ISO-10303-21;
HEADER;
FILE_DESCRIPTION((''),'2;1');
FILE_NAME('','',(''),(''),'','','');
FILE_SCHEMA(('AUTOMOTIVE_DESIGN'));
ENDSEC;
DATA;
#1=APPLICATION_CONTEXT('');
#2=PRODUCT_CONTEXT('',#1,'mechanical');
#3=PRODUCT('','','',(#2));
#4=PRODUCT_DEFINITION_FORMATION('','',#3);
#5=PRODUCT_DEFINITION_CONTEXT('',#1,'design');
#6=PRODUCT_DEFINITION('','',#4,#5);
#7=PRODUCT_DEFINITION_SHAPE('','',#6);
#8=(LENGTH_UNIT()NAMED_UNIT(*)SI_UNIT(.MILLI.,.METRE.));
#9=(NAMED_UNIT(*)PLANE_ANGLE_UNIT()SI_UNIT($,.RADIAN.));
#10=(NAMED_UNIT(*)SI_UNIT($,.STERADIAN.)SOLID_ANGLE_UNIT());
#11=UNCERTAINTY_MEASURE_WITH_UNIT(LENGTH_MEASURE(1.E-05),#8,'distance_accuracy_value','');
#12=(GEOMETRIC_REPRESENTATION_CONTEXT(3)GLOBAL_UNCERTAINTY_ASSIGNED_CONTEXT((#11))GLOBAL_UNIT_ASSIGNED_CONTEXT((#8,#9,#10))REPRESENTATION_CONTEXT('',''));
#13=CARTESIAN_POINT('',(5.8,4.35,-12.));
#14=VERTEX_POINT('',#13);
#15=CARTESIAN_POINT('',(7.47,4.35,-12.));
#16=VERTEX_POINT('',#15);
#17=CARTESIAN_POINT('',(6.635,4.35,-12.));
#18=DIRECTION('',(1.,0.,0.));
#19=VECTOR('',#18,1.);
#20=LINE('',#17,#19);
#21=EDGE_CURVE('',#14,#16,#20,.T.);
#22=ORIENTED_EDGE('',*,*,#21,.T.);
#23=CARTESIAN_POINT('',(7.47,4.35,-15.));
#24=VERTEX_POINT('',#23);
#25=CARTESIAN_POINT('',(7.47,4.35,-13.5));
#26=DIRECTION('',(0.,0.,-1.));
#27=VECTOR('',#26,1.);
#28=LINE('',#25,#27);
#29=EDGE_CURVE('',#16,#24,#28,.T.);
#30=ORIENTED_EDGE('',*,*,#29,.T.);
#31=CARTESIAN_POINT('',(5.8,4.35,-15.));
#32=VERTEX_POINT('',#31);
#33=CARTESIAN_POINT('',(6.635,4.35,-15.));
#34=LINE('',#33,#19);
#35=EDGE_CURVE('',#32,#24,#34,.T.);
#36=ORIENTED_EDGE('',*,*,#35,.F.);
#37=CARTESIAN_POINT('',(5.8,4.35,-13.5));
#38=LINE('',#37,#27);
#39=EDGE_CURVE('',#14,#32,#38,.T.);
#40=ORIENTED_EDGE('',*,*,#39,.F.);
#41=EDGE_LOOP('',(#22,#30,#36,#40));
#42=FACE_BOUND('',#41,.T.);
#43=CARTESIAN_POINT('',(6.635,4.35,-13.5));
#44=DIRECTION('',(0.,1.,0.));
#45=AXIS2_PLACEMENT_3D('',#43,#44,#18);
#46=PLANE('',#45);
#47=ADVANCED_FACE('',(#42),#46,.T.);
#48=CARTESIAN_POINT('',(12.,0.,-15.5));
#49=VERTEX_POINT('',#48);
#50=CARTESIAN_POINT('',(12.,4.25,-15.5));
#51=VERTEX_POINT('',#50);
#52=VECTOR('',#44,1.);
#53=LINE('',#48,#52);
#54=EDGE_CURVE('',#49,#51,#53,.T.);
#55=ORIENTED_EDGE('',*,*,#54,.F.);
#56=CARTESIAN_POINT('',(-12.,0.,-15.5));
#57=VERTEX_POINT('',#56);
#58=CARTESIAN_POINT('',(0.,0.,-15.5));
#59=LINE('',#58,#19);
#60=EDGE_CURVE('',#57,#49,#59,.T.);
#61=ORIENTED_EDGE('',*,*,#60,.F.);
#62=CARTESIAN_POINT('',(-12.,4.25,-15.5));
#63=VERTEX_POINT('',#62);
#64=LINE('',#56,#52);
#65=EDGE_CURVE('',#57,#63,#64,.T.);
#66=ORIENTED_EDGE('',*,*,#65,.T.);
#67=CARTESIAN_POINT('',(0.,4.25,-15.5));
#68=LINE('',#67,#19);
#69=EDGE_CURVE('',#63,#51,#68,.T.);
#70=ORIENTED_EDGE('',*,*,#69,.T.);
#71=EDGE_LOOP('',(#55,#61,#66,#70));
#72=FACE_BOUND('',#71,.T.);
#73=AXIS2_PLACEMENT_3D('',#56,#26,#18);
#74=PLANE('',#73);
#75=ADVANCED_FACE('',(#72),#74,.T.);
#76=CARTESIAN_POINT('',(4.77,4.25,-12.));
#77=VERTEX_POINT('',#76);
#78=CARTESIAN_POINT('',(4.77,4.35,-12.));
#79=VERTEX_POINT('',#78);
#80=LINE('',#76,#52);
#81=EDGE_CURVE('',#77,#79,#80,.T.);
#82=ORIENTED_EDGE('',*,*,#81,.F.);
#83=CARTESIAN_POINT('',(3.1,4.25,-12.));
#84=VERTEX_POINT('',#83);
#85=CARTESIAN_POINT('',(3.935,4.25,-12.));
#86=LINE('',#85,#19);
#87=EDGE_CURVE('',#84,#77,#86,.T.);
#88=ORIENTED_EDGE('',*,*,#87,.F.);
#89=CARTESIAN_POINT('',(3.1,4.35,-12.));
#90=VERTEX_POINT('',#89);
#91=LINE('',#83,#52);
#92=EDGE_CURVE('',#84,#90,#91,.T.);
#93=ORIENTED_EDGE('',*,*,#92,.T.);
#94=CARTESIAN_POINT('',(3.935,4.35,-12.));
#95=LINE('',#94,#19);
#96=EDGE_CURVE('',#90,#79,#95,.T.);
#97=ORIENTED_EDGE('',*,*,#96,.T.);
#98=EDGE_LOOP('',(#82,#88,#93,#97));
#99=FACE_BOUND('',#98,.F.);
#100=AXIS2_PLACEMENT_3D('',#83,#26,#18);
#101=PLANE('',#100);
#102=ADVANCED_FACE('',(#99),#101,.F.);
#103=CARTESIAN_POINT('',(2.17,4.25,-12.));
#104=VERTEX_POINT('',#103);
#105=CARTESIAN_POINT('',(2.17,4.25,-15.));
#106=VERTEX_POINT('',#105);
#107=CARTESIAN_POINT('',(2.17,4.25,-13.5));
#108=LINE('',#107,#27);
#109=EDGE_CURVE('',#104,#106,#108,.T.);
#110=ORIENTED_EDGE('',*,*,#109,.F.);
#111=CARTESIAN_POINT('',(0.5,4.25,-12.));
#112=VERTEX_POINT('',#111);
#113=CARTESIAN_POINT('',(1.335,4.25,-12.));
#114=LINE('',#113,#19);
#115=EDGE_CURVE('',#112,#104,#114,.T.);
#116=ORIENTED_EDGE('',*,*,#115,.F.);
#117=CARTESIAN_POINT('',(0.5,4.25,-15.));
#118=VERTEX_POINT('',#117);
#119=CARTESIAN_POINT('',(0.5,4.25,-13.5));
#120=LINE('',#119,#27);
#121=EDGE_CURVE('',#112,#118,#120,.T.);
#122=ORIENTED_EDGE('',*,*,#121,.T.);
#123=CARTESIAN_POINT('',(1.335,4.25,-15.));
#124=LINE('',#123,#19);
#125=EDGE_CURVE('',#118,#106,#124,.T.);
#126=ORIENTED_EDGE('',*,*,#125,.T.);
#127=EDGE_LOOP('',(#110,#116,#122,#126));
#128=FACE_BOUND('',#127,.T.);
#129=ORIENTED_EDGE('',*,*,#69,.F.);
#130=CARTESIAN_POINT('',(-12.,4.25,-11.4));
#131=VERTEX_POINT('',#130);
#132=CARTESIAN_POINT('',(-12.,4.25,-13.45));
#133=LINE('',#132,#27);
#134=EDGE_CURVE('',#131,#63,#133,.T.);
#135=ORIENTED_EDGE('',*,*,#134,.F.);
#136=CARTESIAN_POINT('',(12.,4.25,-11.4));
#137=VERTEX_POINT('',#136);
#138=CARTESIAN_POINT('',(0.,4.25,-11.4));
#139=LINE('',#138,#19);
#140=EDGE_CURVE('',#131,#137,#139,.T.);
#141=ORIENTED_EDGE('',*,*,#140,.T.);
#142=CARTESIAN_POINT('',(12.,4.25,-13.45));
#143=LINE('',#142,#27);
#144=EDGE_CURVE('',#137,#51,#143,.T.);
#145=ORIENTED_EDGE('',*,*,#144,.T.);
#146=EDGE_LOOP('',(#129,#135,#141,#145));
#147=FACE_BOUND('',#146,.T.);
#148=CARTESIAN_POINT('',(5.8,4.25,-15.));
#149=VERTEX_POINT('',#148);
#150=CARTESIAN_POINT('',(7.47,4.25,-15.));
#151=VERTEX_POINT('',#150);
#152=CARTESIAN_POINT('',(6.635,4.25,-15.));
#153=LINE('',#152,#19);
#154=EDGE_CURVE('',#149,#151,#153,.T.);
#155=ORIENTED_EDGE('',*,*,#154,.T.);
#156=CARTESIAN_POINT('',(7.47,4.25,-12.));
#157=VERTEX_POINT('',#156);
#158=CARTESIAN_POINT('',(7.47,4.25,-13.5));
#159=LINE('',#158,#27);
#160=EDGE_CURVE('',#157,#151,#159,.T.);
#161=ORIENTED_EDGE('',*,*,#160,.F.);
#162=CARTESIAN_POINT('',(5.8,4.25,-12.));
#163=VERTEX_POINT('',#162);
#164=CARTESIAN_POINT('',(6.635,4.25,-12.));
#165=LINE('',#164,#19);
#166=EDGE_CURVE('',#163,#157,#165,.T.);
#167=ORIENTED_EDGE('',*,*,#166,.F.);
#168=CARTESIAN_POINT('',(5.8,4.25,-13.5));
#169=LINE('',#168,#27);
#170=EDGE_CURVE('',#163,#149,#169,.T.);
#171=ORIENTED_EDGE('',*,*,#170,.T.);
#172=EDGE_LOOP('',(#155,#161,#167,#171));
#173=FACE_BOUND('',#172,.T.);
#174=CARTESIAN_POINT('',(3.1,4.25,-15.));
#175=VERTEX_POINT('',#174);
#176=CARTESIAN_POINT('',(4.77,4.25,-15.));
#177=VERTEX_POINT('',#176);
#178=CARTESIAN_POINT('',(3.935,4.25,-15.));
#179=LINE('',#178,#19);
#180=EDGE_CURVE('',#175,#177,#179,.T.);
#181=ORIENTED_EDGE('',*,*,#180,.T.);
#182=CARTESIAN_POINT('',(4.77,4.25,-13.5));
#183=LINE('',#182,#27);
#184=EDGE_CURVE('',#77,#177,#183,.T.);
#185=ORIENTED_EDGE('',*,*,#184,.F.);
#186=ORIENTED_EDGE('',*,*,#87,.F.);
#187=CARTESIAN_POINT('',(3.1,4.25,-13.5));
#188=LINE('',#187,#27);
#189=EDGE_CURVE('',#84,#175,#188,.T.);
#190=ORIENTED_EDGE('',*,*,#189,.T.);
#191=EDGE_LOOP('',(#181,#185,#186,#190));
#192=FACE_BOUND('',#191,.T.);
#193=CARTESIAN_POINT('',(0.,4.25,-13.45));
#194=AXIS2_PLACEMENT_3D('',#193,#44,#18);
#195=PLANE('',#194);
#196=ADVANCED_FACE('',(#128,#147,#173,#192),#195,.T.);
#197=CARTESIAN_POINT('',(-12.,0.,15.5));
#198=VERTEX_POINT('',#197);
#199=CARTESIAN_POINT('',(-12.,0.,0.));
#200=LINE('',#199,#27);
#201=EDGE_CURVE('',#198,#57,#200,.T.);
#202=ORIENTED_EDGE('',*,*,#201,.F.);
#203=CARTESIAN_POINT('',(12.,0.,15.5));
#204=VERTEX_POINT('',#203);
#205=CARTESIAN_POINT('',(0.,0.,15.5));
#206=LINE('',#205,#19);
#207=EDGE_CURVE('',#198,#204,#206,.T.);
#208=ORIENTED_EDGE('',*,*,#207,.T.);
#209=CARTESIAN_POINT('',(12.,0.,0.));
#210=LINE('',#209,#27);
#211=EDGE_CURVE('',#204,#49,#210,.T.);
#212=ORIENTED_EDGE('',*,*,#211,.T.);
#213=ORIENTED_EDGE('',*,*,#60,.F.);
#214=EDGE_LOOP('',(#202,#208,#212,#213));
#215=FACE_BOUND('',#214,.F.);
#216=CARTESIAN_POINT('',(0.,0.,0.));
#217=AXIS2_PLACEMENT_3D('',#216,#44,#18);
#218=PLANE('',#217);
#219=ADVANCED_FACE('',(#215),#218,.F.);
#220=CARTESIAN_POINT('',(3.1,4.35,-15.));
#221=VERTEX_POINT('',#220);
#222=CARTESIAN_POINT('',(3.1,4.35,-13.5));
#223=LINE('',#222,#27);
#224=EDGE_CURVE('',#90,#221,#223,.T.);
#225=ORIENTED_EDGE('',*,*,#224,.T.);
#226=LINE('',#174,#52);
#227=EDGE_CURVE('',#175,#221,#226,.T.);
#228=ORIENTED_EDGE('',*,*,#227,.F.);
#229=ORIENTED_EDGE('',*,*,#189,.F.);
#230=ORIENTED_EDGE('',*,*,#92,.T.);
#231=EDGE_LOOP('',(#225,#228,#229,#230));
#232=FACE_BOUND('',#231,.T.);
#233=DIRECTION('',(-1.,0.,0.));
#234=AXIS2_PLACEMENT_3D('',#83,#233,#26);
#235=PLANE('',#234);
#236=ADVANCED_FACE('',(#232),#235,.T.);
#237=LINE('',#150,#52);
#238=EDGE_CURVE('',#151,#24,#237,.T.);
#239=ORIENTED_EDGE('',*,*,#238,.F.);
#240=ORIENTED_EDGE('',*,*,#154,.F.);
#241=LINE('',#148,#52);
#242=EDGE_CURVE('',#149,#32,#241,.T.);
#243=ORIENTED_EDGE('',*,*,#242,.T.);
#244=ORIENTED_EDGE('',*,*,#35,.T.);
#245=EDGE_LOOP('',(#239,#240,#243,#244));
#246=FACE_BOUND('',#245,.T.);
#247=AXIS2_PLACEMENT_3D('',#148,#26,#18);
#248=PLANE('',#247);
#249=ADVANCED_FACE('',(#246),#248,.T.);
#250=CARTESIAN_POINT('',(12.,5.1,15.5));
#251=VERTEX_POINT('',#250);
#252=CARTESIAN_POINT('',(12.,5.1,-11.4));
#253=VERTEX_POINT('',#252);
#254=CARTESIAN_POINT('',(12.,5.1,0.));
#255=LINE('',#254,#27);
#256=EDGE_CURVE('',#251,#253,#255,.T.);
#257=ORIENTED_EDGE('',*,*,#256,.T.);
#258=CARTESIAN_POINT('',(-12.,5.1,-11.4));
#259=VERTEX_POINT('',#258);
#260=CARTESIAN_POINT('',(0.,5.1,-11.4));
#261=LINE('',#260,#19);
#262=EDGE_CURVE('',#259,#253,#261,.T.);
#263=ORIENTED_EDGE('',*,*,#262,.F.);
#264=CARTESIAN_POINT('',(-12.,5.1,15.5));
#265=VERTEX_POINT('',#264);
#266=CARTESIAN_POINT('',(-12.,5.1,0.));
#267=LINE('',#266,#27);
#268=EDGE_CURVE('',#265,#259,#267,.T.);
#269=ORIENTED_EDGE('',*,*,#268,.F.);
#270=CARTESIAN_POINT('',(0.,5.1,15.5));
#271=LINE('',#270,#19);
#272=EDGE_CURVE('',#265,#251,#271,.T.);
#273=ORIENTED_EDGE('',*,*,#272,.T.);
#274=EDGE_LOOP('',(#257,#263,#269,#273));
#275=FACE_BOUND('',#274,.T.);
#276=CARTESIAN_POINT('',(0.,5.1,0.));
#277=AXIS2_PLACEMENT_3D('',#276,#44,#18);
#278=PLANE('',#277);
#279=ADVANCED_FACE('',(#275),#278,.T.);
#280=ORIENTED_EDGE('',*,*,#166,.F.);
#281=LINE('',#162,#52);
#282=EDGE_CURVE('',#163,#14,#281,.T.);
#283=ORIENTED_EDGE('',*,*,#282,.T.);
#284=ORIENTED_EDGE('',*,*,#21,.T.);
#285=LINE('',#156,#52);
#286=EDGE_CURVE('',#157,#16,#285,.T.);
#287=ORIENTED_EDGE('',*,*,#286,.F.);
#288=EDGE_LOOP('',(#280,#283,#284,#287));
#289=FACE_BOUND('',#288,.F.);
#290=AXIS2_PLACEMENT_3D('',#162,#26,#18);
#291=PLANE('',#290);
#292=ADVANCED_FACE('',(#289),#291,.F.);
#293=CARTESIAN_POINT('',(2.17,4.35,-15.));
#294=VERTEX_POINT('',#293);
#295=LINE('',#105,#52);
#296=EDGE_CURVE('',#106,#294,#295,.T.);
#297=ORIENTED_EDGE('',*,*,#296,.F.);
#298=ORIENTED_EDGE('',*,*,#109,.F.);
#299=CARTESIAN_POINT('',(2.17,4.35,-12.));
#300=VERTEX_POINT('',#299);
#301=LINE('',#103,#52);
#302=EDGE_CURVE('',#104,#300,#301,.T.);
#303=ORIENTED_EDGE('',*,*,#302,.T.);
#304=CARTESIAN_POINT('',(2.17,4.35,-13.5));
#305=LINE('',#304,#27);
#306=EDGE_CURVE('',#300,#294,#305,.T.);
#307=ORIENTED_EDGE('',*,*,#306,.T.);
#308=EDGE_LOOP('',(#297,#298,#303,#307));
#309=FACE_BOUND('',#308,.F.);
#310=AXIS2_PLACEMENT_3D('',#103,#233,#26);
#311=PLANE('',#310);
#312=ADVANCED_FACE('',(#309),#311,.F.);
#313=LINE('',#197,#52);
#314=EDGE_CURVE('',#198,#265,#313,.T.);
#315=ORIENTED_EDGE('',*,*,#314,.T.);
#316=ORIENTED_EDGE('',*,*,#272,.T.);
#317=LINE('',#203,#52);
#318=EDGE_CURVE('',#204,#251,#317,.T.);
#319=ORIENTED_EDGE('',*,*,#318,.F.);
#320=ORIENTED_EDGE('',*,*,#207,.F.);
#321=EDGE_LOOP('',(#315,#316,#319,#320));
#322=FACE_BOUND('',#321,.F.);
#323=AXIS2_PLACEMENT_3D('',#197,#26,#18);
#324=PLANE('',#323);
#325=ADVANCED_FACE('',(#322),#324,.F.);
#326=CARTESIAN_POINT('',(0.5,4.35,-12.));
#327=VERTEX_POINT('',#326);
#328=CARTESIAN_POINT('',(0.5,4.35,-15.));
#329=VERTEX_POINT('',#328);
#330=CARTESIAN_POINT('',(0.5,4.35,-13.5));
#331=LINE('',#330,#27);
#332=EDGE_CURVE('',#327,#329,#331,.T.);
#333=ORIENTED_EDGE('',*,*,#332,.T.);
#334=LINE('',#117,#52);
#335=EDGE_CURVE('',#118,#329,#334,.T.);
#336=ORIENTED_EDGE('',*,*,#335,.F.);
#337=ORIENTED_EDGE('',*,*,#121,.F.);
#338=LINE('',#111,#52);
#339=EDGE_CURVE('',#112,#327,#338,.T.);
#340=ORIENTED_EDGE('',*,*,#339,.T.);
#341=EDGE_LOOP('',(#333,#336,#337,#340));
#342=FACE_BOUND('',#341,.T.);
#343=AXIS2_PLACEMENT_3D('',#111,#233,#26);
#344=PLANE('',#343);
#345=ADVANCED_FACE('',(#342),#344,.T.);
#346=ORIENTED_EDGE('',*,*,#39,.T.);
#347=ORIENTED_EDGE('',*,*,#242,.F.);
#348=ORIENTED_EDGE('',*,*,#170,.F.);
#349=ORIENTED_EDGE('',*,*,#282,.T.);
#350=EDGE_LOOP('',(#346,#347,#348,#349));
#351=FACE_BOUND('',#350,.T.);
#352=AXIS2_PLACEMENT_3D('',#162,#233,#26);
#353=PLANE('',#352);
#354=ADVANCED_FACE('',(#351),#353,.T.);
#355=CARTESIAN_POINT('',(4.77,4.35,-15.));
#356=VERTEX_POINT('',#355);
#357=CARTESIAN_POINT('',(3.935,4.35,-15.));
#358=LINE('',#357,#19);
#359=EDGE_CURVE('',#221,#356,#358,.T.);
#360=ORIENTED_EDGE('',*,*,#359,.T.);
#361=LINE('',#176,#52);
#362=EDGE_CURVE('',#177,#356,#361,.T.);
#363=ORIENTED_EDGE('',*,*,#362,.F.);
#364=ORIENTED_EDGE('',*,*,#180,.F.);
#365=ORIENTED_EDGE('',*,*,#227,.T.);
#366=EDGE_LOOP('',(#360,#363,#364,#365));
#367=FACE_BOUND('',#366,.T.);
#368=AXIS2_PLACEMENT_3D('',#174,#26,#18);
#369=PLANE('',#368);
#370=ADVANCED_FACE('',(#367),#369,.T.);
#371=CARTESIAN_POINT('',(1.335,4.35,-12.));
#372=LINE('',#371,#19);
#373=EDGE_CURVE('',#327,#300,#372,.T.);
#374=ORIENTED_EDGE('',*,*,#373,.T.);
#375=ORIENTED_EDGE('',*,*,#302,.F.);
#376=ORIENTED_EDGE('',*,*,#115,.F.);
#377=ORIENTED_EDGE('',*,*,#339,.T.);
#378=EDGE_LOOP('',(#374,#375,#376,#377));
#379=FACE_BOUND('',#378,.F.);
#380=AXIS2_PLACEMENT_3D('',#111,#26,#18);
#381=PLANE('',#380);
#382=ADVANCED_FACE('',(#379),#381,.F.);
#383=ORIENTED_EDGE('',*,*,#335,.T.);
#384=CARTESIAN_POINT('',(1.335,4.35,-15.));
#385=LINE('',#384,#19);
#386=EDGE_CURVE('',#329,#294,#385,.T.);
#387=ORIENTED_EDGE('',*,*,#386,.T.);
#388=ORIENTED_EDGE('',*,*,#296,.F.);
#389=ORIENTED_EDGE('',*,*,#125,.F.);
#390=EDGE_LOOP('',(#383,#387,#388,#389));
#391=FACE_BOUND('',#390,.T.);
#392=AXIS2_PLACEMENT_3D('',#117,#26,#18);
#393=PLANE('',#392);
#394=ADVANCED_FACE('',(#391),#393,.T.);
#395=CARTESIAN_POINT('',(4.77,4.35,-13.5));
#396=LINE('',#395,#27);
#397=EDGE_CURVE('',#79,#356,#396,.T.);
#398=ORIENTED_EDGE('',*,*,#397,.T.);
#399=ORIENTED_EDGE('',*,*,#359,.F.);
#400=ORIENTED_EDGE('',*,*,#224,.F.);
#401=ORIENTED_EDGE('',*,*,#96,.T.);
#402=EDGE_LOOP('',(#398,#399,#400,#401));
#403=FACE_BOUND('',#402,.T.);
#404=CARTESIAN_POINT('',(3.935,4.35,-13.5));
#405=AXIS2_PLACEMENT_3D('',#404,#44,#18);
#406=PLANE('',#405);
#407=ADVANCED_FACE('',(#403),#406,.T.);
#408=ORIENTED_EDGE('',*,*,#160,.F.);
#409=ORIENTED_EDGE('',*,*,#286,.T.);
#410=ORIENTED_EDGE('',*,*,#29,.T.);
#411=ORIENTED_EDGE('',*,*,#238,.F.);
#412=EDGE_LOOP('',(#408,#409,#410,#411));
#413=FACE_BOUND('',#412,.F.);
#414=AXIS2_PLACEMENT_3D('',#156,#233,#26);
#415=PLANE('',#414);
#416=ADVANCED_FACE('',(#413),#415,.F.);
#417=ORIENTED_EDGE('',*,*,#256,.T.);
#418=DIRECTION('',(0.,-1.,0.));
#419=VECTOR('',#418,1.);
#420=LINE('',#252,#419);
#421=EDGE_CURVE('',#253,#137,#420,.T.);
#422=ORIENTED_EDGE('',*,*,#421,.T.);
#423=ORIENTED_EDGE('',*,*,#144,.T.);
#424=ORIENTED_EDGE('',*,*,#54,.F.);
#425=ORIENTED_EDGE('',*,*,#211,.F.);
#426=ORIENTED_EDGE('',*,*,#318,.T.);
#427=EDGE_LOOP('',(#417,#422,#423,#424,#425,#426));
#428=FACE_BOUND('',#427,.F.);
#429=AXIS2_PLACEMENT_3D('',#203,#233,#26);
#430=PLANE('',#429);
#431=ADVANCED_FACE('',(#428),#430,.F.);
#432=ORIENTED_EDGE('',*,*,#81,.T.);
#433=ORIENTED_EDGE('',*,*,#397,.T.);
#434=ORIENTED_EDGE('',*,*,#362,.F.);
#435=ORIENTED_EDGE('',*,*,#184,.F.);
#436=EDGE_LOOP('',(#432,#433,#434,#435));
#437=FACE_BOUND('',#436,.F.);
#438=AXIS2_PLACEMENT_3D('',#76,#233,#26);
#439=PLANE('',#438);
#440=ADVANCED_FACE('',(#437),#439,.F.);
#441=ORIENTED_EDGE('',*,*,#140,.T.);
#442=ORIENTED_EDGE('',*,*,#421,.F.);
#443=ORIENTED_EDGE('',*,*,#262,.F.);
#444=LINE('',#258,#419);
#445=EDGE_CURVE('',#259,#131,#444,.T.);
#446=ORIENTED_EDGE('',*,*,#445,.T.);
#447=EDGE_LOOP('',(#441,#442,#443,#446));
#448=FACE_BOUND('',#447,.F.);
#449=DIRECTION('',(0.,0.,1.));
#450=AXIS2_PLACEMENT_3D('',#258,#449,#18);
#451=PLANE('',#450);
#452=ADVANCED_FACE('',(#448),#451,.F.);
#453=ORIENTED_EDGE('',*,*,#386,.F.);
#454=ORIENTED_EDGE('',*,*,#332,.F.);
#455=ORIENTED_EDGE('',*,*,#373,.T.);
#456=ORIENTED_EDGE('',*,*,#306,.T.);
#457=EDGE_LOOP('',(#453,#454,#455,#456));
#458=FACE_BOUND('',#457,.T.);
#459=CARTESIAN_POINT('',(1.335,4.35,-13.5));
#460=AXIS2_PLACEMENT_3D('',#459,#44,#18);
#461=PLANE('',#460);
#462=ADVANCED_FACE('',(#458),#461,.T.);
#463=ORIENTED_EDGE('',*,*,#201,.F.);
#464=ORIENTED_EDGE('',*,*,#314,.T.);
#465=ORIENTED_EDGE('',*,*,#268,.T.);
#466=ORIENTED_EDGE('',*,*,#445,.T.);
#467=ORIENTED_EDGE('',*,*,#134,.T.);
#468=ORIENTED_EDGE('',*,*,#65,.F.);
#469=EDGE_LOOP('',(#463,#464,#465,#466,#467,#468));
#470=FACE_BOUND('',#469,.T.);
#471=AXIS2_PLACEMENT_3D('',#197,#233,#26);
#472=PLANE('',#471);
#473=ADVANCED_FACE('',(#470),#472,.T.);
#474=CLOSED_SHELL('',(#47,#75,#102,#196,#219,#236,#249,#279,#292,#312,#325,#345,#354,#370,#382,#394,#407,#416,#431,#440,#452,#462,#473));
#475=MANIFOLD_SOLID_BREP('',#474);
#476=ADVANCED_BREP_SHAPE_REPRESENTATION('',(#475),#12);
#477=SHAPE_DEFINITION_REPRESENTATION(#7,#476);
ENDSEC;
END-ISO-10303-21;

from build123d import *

# Parameters (mm, degrees)
SKETCH_1_W          = 24
SKETCH_1_H          = 31
EXTRUDE_1_DEPTH     = 5.1
SKETCH_2_W          = 24
SKETCH_2_H          = 4.1
CUT_EXTRUDE_1_DEPTH = 0.85
SKETCH_3_W          = 1.67
SKETCH_3_H          = 3
EXTRUDE_2_DEPTH     = 0.1


with BuildPart() as part:
    # Эскиз1 → Бобышка-Вытянуть1 (new body)
    with BuildSketch(Plane(origin=(0, 0, 0), x_dir=(1, 0, 0), z_dir=(0, 1, 0))):
        Rectangle(SKETCH_1_W, SKETCH_1_H)
    extrude(amount=EXTRUDE_1_DEPTH)

    # Эскиз2 → Вырез-Вытянуть1 (cut)
    with BuildSketch(Plane(origin=(0, 5.1, 0), x_dir=(1, 0, 0), z_dir=(0, 1, 0))):
        with Locations((0, 13.45)):
            Rectangle(SKETCH_2_W, SKETCH_2_H)
    extrude(amount=-CUT_EXTRUDE_1_DEPTH, mode=Mode.SUBTRACT)

    # Эскиз3 → Бобышка-Вытянуть2 (add)
    with BuildSketch(Plane(origin=(0, 4.25, 0), x_dir=(1, 0, 0), z_dir=(0, 1, 0))):
        with Locations((1.335, 13.5)):
            Rectangle(SKETCH_3_W, SKETCH_3_H)
        with Locations((3.935, 13.5)):
            Rectangle(SKETCH_3_W, SKETCH_3_H)
        with Locations((6.635, 13.5)):
            Rectangle(SKETCH_3_W, SKETCH_3_H)
    extrude(amount=EXTRUDE_2_DEPTH)


solid = part.part
